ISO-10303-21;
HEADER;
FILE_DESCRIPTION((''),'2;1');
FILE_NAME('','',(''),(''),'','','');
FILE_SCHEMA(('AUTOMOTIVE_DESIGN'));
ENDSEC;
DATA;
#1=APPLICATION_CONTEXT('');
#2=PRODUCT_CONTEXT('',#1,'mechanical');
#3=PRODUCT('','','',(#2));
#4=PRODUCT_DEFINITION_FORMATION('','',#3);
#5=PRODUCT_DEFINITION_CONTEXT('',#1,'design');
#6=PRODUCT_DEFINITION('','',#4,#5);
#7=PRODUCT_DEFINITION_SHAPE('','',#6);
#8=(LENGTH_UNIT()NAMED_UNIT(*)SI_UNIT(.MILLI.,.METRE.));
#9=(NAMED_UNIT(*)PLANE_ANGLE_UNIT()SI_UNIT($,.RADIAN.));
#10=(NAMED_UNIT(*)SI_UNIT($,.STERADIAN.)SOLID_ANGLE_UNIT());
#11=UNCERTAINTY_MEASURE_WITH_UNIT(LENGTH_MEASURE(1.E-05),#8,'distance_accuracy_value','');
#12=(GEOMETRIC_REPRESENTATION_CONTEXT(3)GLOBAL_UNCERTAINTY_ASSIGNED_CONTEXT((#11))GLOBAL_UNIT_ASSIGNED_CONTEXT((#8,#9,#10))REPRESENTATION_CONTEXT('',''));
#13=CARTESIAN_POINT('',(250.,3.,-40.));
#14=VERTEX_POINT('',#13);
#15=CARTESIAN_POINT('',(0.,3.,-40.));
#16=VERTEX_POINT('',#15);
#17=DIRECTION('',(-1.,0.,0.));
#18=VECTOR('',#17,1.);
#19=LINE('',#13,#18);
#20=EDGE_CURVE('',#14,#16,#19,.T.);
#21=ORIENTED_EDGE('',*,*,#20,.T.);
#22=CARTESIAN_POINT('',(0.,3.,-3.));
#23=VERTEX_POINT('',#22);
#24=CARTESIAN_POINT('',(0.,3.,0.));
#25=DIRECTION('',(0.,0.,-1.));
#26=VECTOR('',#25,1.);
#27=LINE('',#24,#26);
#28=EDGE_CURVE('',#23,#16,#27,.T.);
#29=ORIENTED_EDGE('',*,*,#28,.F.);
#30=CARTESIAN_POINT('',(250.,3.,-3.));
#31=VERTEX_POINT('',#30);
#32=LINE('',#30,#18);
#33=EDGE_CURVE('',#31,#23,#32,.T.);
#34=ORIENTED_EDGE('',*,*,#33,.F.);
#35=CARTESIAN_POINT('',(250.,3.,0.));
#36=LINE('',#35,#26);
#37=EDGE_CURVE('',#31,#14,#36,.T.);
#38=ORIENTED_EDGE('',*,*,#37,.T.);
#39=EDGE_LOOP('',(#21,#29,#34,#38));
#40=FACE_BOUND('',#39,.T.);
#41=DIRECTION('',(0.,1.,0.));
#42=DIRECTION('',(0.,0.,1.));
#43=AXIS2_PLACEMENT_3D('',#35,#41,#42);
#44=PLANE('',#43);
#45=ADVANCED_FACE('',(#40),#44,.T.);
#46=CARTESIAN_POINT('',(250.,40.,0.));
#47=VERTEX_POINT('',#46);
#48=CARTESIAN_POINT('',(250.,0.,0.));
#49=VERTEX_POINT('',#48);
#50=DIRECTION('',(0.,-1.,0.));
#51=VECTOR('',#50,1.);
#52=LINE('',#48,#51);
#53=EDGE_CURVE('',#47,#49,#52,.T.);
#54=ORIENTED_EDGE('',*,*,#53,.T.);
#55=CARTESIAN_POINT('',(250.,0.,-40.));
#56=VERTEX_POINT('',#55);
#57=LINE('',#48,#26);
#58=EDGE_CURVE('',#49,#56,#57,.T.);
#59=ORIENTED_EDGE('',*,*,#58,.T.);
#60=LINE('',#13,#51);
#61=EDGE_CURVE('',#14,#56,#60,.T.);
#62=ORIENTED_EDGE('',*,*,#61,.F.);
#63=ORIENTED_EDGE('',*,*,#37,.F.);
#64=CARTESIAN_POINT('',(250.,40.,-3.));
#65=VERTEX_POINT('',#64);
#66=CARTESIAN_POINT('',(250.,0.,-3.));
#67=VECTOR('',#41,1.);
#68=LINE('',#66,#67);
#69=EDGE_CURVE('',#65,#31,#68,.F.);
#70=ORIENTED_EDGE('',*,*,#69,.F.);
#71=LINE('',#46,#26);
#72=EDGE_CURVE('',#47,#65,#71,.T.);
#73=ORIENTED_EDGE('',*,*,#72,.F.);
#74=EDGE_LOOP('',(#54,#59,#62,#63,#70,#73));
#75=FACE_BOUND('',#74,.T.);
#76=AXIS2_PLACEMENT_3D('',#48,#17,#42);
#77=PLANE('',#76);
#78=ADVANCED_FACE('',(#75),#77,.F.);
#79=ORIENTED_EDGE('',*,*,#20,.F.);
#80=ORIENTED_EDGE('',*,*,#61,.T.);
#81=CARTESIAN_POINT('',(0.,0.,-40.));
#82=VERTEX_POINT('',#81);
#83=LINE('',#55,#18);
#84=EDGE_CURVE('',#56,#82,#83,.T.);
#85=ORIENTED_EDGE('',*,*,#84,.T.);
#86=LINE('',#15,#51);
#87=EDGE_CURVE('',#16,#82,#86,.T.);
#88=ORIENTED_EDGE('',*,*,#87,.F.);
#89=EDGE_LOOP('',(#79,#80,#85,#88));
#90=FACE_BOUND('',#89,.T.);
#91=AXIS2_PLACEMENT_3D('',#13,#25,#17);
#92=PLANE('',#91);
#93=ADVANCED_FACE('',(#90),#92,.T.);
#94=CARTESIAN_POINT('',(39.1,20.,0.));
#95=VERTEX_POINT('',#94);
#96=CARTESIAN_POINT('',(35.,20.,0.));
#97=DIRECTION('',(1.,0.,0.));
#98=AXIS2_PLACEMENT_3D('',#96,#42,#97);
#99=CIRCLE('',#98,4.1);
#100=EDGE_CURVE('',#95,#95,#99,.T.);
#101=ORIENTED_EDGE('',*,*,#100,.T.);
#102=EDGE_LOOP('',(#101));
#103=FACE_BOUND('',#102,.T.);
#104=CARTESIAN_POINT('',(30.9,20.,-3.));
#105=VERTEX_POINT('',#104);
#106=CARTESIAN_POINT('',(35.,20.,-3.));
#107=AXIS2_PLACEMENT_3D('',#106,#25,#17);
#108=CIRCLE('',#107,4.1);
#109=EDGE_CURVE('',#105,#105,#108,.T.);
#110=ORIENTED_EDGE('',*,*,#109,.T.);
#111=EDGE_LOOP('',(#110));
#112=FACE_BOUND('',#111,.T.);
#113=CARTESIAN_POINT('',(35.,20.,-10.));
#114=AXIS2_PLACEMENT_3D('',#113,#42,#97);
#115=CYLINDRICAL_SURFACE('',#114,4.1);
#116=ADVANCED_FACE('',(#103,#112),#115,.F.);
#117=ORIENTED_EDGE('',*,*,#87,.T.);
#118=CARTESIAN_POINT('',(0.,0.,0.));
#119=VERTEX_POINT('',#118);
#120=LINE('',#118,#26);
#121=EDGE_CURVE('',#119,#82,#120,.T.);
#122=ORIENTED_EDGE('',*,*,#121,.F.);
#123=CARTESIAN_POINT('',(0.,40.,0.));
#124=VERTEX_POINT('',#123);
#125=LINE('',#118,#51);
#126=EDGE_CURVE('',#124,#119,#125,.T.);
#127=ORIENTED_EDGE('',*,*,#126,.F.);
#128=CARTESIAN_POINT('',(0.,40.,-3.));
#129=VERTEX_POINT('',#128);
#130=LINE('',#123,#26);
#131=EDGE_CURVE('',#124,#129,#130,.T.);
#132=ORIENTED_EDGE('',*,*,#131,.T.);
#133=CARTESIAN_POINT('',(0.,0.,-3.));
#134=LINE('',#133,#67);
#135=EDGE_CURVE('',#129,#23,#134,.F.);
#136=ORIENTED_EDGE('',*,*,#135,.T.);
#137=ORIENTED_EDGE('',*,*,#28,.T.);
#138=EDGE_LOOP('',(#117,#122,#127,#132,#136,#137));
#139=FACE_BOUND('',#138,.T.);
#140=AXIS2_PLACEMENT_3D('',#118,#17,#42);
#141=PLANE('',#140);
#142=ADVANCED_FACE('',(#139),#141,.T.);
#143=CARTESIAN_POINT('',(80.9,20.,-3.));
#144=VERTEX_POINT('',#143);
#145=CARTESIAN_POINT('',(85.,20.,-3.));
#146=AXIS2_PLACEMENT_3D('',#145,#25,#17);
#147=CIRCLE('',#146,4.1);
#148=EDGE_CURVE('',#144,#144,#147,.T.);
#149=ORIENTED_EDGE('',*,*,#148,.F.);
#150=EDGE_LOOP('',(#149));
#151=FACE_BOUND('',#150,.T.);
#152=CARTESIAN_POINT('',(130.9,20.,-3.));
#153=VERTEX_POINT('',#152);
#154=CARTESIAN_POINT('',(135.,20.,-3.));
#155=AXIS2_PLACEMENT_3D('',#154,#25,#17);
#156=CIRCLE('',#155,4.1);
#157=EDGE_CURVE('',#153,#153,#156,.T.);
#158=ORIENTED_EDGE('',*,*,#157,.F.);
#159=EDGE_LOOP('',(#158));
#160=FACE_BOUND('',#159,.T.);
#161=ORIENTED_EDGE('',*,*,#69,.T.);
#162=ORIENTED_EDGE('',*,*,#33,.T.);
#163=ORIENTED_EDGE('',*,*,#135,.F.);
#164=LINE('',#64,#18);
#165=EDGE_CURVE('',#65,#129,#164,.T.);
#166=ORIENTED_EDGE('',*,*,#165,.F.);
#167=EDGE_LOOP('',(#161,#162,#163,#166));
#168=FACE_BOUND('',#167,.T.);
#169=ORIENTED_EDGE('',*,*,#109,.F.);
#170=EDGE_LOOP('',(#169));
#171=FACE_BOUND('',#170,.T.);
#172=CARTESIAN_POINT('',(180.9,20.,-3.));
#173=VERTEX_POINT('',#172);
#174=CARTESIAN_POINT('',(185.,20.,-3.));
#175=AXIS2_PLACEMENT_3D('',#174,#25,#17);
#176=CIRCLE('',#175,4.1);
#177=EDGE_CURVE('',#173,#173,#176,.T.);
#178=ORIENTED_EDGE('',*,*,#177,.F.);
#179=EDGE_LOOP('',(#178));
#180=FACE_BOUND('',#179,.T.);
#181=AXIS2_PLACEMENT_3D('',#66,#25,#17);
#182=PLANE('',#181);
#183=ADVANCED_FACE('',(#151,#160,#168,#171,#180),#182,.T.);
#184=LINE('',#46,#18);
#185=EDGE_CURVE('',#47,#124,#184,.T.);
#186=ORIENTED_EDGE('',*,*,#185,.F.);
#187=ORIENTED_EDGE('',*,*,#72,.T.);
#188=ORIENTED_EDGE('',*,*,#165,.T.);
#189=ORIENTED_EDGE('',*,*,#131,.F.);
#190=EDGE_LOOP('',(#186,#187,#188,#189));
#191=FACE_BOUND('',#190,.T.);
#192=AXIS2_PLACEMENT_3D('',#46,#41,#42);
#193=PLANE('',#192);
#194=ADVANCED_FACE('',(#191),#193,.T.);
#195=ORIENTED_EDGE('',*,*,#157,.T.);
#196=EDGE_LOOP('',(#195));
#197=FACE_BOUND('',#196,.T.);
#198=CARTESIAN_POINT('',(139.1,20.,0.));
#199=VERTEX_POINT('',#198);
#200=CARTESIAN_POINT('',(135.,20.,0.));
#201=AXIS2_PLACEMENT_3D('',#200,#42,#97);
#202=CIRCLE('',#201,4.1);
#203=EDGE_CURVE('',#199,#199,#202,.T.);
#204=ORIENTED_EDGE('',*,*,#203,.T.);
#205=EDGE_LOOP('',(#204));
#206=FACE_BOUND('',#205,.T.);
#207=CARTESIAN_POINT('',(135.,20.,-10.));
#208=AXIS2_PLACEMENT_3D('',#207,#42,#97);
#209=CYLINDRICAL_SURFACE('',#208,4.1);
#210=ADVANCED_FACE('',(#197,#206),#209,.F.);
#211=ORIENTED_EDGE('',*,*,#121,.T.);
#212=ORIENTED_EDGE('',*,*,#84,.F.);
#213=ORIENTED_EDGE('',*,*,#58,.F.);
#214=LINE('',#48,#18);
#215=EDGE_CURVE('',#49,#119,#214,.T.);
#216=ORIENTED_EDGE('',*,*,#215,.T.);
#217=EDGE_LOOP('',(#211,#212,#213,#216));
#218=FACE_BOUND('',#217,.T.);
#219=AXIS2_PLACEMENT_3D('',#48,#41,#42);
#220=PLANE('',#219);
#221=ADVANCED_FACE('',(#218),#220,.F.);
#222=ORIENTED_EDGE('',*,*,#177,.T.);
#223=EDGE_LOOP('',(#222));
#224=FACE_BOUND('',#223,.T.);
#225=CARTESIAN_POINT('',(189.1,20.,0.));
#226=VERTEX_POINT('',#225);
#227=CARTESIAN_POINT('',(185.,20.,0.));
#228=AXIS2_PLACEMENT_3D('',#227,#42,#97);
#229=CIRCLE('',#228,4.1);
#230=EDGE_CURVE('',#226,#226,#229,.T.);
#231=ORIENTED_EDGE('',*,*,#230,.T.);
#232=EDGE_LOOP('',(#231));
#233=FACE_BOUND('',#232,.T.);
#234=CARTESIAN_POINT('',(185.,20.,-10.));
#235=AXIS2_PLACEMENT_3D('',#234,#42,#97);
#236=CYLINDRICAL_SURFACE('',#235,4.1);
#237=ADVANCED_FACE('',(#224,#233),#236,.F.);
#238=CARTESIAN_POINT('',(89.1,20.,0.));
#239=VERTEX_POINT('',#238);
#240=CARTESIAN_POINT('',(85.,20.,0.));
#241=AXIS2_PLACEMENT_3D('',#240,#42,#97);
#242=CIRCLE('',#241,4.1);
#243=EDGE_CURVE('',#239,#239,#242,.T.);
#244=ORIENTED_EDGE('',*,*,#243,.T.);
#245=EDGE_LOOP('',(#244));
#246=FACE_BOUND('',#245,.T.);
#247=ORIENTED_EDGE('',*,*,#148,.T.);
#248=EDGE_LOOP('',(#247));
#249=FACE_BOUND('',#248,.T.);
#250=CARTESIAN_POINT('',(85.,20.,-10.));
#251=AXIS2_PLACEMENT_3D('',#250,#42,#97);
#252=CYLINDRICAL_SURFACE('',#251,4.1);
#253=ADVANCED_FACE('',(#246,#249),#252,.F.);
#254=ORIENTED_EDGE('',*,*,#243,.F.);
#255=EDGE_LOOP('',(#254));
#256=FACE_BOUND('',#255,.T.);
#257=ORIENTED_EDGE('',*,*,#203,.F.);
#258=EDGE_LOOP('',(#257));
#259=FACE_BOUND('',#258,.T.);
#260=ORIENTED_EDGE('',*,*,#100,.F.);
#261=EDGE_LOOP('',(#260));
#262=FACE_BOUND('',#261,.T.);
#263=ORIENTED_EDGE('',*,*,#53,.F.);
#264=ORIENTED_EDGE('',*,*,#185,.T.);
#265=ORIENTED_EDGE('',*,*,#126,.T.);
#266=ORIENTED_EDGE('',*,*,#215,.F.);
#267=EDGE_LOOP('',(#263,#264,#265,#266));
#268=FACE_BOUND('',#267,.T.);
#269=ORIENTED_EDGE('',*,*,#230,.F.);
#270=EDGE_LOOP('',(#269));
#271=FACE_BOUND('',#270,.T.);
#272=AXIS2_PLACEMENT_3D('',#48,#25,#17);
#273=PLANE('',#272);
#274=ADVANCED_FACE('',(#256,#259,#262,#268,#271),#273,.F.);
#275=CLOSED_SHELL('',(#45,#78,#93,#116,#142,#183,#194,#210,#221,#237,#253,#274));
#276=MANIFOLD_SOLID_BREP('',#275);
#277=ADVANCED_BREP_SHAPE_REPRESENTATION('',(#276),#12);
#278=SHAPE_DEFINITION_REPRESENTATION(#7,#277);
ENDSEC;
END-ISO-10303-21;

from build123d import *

# Parameters (mm, degrees)
EXTRUDE_1_DEPTH     = 250
SKETCH_2_R          = 4.1
CUT_EXTRUDE_1_DEPTH = 10


with BuildPart() as part:
    # Эскиз1 → Вытянуть-Тонкостенный1 (new body)
    with BuildSketch(Plane(origin=(0, 0, 0), x_dir=(0, 0, -1), z_dir=(1, 0, 0))):
        Polygon((40, 0), (0, 0), (0, 40), (3, 40), (3, 3), (40, 3), align=None)
    extrude(amount=EXTRUDE_1_DEPTH)

    # Эскиз2 → Вырез-Вытянуть1 (cut)
    with BuildSketch(Plane.XY):
        with Locations((35, 20)):
            Circle(SKETCH_2_R)
        with Locations((85, 20)):
            Circle(SKETCH_2_R)
        with Locations((135, 20)):
            Circle(SKETCH_2_R)
        with Locations((185, 20)):
            Circle(SKETCH_2_R)
    extrude(amount=-CUT_EXTRUDE_1_DEPTH, mode=Mode.SUBTRACT)


solid = part.part
